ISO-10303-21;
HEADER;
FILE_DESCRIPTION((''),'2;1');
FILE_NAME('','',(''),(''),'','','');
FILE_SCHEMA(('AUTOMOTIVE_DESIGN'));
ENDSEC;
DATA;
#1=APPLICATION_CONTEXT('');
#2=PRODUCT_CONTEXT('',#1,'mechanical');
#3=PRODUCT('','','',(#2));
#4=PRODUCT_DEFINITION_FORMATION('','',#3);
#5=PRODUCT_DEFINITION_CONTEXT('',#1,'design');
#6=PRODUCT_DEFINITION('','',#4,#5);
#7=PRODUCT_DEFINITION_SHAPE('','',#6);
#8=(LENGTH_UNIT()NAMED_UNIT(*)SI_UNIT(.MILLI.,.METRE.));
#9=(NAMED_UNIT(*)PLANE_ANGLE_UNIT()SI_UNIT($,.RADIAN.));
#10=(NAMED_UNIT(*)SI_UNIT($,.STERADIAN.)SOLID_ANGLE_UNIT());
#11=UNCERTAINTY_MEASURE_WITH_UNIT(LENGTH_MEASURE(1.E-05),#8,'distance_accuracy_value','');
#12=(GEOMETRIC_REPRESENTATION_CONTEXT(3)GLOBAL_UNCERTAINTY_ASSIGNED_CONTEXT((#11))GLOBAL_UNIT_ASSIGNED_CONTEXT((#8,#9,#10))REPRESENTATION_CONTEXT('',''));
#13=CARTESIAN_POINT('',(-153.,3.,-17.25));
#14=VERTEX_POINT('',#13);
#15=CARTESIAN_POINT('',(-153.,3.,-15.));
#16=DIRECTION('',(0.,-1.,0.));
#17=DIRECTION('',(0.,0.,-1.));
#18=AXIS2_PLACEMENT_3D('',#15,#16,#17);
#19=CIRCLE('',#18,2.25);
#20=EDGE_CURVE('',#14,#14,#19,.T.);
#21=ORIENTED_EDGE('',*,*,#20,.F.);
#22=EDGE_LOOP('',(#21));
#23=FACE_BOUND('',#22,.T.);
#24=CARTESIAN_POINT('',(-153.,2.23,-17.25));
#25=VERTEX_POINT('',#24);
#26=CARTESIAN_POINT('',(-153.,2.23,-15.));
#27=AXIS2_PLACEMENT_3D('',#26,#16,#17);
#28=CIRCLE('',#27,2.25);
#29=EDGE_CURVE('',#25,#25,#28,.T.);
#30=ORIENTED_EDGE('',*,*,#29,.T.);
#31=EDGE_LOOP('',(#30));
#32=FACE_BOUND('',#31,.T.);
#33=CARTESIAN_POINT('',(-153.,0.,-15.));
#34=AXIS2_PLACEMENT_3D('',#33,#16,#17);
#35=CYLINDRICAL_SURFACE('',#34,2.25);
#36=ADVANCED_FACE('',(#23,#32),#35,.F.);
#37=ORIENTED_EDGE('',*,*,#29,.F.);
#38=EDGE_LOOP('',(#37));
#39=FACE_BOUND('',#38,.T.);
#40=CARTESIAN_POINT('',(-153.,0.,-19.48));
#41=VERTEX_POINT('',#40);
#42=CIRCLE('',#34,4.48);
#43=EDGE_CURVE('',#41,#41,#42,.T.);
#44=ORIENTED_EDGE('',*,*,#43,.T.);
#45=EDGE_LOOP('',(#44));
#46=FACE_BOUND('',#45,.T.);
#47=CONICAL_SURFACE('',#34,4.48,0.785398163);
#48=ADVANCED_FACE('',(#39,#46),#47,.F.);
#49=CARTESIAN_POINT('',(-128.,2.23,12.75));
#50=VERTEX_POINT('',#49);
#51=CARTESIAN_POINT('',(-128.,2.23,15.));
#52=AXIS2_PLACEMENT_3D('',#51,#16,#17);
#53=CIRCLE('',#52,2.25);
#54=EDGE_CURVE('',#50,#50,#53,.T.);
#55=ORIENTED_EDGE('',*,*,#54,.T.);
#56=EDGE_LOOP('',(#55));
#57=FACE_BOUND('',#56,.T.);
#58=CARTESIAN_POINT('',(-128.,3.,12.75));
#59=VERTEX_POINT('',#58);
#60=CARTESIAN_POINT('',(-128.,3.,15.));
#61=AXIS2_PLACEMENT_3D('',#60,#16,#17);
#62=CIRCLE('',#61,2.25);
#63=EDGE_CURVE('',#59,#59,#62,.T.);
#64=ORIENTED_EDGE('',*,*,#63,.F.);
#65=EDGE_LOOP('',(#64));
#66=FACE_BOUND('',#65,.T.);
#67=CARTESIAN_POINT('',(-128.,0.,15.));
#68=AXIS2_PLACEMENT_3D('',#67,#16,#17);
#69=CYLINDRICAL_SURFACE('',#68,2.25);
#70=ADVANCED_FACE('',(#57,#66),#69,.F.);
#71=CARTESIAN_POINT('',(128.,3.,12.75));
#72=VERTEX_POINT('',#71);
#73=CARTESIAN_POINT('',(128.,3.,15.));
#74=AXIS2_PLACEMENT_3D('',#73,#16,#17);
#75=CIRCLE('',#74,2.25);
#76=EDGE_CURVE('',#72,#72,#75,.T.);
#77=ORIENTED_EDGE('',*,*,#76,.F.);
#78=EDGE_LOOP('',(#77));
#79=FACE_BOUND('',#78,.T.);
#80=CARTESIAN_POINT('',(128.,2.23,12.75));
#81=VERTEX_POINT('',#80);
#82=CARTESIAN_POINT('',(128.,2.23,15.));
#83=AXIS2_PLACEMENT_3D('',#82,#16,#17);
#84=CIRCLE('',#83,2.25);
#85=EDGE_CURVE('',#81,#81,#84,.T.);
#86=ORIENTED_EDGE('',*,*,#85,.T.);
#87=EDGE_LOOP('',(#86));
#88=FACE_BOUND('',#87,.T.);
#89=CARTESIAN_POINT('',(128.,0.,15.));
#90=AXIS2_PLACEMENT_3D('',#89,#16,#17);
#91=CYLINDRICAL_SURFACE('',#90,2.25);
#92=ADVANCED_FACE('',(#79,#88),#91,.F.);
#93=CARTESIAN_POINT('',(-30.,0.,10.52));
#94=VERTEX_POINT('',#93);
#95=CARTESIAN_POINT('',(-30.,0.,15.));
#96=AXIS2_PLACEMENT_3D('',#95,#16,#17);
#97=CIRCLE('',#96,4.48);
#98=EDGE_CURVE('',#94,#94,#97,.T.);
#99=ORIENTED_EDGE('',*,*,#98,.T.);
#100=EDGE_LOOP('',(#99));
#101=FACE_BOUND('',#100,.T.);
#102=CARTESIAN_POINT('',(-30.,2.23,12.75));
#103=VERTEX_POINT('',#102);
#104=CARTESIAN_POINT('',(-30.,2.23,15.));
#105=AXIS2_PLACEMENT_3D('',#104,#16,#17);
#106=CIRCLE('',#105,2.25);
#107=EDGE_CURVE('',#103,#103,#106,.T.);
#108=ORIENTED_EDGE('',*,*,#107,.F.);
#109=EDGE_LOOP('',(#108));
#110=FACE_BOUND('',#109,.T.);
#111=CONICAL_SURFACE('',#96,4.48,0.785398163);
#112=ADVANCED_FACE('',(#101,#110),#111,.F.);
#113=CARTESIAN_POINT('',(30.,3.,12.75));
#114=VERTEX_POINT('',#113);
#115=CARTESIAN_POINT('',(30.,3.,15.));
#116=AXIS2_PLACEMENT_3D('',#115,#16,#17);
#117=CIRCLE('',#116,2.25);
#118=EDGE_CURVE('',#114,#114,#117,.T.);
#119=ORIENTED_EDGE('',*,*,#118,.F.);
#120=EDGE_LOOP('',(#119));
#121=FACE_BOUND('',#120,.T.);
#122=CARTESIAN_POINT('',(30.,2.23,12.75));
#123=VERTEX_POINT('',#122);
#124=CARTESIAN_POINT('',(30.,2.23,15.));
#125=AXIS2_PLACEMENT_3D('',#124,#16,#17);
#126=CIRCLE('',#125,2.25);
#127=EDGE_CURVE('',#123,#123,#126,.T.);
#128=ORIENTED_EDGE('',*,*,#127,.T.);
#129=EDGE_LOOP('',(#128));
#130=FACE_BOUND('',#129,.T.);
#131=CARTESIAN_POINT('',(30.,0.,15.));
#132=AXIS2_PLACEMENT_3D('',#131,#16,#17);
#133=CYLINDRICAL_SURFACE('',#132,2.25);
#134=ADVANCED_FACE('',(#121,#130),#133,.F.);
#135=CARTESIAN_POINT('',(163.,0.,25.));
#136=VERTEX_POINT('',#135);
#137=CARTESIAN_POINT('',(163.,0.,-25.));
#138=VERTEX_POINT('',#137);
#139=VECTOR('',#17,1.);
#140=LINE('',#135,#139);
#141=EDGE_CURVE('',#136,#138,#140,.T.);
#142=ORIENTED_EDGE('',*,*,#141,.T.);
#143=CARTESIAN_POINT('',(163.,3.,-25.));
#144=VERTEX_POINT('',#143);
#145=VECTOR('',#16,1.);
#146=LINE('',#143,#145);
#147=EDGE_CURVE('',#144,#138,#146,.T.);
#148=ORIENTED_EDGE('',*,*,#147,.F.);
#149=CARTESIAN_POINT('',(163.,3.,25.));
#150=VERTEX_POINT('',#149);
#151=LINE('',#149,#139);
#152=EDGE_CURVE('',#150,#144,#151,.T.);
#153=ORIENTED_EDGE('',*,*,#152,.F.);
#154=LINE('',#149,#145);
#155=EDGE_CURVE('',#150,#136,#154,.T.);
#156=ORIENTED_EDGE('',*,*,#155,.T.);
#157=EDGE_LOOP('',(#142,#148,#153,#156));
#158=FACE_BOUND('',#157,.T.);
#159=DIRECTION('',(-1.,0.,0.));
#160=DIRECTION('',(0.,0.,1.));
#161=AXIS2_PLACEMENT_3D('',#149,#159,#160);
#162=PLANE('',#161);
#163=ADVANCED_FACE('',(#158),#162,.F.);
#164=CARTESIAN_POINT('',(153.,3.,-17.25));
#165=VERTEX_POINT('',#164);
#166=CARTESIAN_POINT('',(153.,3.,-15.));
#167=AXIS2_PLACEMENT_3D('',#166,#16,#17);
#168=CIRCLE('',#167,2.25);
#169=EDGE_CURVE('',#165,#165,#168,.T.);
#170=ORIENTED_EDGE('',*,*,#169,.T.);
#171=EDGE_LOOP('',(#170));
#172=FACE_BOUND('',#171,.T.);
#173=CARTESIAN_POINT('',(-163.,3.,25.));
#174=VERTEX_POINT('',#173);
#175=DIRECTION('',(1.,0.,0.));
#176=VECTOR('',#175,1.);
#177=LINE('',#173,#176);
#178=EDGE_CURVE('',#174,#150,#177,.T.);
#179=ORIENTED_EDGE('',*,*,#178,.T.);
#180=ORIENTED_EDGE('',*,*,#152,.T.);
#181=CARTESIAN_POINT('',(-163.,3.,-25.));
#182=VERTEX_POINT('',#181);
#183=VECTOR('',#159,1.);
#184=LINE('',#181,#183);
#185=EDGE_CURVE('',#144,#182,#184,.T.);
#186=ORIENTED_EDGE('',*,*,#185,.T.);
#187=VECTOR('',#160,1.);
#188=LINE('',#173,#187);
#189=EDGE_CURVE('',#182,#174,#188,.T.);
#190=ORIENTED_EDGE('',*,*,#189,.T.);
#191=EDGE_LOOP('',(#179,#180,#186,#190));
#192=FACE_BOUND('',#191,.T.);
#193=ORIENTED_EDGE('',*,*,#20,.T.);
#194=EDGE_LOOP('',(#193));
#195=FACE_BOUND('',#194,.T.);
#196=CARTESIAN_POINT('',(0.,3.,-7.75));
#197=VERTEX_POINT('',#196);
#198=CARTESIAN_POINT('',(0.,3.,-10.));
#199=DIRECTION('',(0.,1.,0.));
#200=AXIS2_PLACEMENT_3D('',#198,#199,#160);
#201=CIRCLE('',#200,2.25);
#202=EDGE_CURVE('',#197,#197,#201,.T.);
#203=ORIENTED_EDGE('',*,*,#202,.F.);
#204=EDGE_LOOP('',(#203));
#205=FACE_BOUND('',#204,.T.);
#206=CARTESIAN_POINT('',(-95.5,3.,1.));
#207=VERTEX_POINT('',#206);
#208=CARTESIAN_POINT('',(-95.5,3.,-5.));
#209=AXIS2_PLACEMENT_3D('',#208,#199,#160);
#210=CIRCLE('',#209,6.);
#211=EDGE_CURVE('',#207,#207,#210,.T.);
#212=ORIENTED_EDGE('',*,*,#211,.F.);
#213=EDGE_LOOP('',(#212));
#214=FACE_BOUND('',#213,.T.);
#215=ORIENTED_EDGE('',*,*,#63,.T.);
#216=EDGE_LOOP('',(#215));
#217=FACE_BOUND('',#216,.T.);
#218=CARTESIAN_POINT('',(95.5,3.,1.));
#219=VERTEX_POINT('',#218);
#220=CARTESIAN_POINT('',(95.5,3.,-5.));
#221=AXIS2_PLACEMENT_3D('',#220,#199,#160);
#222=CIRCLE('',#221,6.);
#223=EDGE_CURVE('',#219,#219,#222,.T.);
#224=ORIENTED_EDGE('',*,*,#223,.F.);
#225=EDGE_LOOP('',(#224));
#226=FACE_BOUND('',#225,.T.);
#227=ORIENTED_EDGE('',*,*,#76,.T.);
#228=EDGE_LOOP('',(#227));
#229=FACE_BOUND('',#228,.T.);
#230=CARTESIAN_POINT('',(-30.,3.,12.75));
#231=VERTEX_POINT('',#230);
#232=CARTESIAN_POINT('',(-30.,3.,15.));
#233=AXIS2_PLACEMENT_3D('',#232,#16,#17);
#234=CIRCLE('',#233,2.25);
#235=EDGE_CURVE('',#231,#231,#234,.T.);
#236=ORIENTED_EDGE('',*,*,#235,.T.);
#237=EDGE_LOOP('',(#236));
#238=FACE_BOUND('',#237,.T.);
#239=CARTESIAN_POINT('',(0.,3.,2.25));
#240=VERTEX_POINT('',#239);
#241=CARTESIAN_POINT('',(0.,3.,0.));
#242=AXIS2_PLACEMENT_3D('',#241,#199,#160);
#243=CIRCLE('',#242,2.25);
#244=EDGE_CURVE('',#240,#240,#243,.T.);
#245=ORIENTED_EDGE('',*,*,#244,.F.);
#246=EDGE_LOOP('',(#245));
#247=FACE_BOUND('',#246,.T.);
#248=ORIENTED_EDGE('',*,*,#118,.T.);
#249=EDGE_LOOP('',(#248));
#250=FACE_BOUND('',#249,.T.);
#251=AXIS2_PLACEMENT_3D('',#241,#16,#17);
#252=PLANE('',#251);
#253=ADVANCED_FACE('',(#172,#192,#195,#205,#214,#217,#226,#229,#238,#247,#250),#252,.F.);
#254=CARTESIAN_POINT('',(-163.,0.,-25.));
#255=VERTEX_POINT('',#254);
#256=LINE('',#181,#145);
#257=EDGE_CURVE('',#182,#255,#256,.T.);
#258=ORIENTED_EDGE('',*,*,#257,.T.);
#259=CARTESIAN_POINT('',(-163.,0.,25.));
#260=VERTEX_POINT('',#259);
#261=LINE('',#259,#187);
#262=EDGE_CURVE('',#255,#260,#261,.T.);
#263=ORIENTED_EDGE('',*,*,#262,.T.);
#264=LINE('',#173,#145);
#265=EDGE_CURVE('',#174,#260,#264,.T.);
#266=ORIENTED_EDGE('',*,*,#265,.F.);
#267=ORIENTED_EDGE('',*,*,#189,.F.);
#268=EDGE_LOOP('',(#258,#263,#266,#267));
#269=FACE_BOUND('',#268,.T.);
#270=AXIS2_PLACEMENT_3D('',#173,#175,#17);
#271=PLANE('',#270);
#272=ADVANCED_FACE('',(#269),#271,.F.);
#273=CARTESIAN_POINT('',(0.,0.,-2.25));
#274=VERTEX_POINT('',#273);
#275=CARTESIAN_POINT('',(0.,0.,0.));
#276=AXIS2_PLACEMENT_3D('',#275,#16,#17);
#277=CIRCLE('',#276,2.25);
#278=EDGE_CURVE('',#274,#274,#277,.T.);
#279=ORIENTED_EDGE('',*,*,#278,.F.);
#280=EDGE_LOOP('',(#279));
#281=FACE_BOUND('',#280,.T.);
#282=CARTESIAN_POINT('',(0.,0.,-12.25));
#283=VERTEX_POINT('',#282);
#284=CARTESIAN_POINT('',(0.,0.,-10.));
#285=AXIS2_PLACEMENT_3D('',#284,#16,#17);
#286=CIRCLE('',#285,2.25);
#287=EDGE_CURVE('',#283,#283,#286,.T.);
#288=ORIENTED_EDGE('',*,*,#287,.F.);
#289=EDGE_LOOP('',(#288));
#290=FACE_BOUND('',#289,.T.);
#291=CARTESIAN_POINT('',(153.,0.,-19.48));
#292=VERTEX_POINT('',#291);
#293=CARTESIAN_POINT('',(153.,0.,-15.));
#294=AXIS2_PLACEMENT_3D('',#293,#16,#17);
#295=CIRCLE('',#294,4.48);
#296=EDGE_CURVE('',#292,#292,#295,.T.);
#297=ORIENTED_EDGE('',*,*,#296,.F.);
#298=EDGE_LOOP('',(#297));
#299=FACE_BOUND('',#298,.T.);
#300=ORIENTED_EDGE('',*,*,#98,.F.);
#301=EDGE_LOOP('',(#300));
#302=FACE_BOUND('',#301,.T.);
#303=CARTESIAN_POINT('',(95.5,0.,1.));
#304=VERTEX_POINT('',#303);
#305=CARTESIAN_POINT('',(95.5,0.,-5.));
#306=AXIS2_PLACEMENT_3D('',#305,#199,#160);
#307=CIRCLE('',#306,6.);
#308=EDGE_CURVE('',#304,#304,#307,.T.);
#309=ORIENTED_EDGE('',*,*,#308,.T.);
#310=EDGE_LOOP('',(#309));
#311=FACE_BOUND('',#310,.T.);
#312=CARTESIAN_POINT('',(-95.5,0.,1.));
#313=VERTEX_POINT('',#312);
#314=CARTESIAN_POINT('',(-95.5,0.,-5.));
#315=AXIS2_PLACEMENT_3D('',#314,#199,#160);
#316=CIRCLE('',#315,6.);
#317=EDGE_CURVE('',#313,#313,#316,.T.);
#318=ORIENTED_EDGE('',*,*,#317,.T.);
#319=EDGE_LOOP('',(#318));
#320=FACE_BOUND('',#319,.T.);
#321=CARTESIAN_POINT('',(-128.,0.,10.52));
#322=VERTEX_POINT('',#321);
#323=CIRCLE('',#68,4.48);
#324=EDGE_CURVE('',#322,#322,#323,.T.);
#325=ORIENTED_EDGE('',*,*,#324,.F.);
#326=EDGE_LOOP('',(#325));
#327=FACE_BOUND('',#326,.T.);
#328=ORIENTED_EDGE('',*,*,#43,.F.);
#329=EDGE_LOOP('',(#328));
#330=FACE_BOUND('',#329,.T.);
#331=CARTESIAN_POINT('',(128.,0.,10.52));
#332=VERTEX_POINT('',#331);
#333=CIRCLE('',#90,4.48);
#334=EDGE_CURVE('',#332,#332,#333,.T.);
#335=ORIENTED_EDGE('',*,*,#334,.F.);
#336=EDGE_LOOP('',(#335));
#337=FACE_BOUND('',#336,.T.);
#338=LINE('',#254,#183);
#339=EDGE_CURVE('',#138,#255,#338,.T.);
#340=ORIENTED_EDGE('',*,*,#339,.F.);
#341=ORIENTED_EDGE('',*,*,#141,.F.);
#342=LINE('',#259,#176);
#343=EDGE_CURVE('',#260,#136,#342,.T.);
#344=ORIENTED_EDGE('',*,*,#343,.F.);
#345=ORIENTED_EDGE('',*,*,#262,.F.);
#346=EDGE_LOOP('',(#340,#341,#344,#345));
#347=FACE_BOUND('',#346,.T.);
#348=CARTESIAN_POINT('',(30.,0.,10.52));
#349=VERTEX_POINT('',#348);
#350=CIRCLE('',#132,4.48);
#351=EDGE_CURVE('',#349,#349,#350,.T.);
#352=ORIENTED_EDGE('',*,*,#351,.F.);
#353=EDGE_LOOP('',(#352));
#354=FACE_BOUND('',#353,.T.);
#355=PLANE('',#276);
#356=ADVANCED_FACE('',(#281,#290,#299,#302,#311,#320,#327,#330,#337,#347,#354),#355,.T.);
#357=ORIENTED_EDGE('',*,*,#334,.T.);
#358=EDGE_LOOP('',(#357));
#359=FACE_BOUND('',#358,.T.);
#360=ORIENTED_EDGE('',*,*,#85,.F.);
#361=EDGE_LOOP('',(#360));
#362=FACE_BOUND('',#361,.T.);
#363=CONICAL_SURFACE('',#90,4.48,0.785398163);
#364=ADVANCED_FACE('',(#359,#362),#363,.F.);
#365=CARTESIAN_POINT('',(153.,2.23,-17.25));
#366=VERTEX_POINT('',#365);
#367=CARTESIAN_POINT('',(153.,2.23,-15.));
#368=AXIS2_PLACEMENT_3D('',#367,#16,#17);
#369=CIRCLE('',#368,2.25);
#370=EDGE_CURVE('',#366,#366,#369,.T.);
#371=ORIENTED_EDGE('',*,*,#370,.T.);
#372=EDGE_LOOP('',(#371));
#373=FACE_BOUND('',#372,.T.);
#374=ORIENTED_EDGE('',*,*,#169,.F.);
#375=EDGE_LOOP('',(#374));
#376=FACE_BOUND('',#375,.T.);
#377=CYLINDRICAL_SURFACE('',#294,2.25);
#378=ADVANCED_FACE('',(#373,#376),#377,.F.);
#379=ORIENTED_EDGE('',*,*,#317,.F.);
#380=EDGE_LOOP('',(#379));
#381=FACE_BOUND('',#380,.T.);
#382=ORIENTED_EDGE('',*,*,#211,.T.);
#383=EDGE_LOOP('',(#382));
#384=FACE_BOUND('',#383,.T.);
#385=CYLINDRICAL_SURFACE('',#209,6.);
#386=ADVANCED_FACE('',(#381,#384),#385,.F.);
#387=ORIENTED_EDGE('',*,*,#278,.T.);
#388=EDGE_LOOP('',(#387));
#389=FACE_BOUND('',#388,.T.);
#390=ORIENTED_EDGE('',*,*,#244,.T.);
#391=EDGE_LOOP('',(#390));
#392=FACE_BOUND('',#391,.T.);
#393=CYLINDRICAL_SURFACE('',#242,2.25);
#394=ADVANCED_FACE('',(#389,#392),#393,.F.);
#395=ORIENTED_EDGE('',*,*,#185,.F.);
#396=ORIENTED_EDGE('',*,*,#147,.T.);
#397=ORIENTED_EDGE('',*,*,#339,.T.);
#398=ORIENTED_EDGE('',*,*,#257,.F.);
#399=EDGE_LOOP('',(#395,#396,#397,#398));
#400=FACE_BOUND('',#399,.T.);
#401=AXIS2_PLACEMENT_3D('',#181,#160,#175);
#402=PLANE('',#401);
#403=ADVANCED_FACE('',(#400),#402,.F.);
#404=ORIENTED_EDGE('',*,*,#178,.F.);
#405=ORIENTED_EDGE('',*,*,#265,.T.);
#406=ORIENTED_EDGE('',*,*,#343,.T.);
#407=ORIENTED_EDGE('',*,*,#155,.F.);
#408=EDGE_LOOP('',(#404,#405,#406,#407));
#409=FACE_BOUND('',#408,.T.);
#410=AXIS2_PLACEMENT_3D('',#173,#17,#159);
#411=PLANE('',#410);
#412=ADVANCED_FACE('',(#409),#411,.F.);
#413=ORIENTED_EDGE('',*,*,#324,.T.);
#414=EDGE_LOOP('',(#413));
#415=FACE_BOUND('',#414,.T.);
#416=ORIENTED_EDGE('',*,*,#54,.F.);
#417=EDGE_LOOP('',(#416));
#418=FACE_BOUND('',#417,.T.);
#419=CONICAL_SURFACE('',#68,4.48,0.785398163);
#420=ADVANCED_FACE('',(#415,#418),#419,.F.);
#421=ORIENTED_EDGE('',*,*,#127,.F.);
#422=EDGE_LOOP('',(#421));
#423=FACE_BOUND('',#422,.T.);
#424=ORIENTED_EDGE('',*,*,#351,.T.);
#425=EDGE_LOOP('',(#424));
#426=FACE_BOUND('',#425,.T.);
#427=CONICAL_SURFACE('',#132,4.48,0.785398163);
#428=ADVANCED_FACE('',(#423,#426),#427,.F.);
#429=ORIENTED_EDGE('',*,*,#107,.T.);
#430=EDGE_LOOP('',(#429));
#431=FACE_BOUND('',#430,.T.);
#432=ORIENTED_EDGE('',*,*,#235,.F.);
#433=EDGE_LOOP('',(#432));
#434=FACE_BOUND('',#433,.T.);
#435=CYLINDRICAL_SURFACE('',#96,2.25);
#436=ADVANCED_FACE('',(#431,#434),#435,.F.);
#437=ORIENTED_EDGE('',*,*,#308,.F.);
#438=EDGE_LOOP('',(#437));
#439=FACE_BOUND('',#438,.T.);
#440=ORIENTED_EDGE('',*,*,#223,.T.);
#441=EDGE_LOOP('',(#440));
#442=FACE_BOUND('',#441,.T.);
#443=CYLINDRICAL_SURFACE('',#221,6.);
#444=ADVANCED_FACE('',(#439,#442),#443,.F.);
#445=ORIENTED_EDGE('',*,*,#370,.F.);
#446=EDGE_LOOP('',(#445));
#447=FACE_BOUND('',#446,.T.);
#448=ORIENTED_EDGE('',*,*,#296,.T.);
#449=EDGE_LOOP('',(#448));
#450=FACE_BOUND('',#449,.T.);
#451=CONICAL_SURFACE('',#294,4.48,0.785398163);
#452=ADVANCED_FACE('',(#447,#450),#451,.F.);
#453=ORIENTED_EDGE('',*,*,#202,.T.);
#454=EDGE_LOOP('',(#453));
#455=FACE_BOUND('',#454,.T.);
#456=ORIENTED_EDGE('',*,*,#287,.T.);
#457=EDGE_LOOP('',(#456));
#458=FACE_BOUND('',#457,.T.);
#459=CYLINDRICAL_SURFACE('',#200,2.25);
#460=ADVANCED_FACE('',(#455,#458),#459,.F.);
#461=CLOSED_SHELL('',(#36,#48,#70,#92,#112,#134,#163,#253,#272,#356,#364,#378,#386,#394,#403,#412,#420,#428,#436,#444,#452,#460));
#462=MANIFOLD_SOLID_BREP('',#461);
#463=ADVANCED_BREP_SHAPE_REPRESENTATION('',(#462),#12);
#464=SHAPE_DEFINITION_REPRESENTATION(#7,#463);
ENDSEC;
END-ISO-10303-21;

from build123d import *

# Parameters (mm, degrees)
SKIZZE1_W                            = 326
SKIZZE1_H                            = 50
AUFSATZ_LINEAR_AUSTRAGEN1_DEPTH      = 3
DURCHGANGSLOCH_F_R_M41_D             = 4.5
F_9_0_12_DURCHMESSER_BOHRUNG1_D      = 12
FORMSENKUNG_F_R_M4_SFHCS1_AT_2_COUNT = 2
FORMSENKUNG_F_R_M4_SFHCS1_AT_2_PITCH = 306
FORMSENKUNG_F_R_M4_SFHCS1_AT_3_COUNT = 2
FORMSENKUNG_F_R_M4_SFHCS1_AT_3_PITCH = 282.596886041
FORMSENKUNG_F_R_M4_SFHCS1_AT_4_COUNT = 2
FORMSENKUNG_F_R_M4_SFHCS1_AT_4_PITCH = 185.442713526
FORMSENKUNG_F_R_M4_SFHCS1_AT_5_COUNT = 2
FORMSENKUNG_F_R_M4_SFHCS1_AT_5_PITCH = 126.605687076
FORMSENKUNG_F_R_M4_SFHCS1_AT_6_COUNT = 2
FORMSENKUNG_F_R_M4_SFHCS1_AT_6_PITCH = 39.05124838


with BuildPart() as part:
    # Skizze1 → Aufsatz-Linear austragen1 (new body)
    with BuildSketch(Plane(origin=(0, 0, 0), x_dir=(1, 0, 0), z_dir=(0, 1, 0))):
        Rectangle(SKIZZE1_W, SKIZZE1_H)
    extrude(amount=AUFSATZ_LINEAR_AUSTRAGEN1_DEPTH)

    # Durchgangsloch für M41 (through all)
    with Locations(Plane(origin=(0, 3, 0), x_dir=(1, 0, 0), z_dir=(0, 1, 0))):
        with Locations((0, 0), (0, 10)):
            Hole(DURCHGANGSLOCH_F_R_M41_D / 2)

    # Ø9.0 (12) Durchmesser Bohrung1 (through all)
    with Locations(Plane(origin=(0, 3, 0), x_dir=(1, 0, 0), z_dir=(0, 1, 0))):
        with Locations((-95.5, 5), (95.5, 5)):
            Hole(F_9_0_12_DURCHMESSER_BOHRUNG1_D / 2)

    # Skizze7 → Formsenkung für M4 SFHCS1 (revolve, cut)
    with BuildSketch(Plane(origin=(153, 0, -15), x_dir=(0, 0, -1), z_dir=(1, 0, 0))):
        Polygon((0, 0), (0, 3), (2.25, 3), (2.25, 2.23), (4.48, 0), align=None)
    formsenkung_f_r_m4_sfhcs1 = revolve(axis=Axis((153, -6.35, -15), (0, 1, 0)), mode=Mode.SUBTRACT)

    # Formsenkung für M4 SFHCS1 at 2: Formsenkung für M4 SFHCS1 ×2
    with Locations(*[(-i * FORMSENKUNG_F_R_M4_SFHCS1_AT_2_PITCH, 0, 0) for i in range(1, FORMSENKUNG_F_R_M4_SFHCS1_AT_2_COUNT)]):
        add(formsenkung_f_r_m4_sfhcs1, mode=Mode.SUBTRACT)

    # Formsenkung für M4 SFHCS1 at 3: Formsenkung für M4 SFHCS1 ×2
    with Locations(*[Vector(-0.9943492440300802, 0, 0.10615828228079148) * (i * FORMSENKUNG_F_R_M4_SFHCS1_AT_3_PITCH) for i in range(1, FORMSENKUNG_F_R_M4_SFHCS1_AT_3_COUNT)]):
        add(formsenkung_f_r_m4_sfhcs1, mode=Mode.SUBTRACT)

    # Formsenkung für M4 SFHCS1 at 4: Formsenkung für M4 SFHCS1 ×2
    with Locations(*[Vector(-0.9868276651055338, 0, 0.16177502706648092) * (i * FORMSENKUNG_F_R_M4_SFHCS1_AT_4_PITCH) for i in range(1, FORMSENKUNG_F_R_M4_SFHCS1_AT_4_COUNT)]):
        add(formsenkung_f_r_m4_sfhcs1, mode=Mode.SUBTRACT)

    # Formsenkung für M4 SFHCS1 at 5: Formsenkung für M4 SFHCS1 ×2
    with Locations(*[Vector(-0.9715203387831296, 0, 0.23695618019100717) * (i * FORMSENKUNG_F_R_M4_SFHCS1_AT_5_PITCH) for i in range(1, FORMSENKUNG_F_R_M4_SFHCS1_AT_5_COUNT)]):
        add(formsenkung_f_r_m4_sfhcs1, mode=Mode.SUBTRACT)

    # Formsenkung für M4 SFHCS1 at 6: Formsenkung für M4 SFHCS1 ×2
    with Locations(*[Vector(-0.6401843996644799, 0, 0.7682212795973759) * (i * FORMSENKUNG_F_R_M4_SFHCS1_AT_6_PITCH) for i in range(1, FORMSENKUNG_F_R_M4_SFHCS1_AT_6_COUNT)]):
        add(formsenkung_f_r_m4_sfhcs1, mode=Mode.SUBTRACT)


solid = part.part
